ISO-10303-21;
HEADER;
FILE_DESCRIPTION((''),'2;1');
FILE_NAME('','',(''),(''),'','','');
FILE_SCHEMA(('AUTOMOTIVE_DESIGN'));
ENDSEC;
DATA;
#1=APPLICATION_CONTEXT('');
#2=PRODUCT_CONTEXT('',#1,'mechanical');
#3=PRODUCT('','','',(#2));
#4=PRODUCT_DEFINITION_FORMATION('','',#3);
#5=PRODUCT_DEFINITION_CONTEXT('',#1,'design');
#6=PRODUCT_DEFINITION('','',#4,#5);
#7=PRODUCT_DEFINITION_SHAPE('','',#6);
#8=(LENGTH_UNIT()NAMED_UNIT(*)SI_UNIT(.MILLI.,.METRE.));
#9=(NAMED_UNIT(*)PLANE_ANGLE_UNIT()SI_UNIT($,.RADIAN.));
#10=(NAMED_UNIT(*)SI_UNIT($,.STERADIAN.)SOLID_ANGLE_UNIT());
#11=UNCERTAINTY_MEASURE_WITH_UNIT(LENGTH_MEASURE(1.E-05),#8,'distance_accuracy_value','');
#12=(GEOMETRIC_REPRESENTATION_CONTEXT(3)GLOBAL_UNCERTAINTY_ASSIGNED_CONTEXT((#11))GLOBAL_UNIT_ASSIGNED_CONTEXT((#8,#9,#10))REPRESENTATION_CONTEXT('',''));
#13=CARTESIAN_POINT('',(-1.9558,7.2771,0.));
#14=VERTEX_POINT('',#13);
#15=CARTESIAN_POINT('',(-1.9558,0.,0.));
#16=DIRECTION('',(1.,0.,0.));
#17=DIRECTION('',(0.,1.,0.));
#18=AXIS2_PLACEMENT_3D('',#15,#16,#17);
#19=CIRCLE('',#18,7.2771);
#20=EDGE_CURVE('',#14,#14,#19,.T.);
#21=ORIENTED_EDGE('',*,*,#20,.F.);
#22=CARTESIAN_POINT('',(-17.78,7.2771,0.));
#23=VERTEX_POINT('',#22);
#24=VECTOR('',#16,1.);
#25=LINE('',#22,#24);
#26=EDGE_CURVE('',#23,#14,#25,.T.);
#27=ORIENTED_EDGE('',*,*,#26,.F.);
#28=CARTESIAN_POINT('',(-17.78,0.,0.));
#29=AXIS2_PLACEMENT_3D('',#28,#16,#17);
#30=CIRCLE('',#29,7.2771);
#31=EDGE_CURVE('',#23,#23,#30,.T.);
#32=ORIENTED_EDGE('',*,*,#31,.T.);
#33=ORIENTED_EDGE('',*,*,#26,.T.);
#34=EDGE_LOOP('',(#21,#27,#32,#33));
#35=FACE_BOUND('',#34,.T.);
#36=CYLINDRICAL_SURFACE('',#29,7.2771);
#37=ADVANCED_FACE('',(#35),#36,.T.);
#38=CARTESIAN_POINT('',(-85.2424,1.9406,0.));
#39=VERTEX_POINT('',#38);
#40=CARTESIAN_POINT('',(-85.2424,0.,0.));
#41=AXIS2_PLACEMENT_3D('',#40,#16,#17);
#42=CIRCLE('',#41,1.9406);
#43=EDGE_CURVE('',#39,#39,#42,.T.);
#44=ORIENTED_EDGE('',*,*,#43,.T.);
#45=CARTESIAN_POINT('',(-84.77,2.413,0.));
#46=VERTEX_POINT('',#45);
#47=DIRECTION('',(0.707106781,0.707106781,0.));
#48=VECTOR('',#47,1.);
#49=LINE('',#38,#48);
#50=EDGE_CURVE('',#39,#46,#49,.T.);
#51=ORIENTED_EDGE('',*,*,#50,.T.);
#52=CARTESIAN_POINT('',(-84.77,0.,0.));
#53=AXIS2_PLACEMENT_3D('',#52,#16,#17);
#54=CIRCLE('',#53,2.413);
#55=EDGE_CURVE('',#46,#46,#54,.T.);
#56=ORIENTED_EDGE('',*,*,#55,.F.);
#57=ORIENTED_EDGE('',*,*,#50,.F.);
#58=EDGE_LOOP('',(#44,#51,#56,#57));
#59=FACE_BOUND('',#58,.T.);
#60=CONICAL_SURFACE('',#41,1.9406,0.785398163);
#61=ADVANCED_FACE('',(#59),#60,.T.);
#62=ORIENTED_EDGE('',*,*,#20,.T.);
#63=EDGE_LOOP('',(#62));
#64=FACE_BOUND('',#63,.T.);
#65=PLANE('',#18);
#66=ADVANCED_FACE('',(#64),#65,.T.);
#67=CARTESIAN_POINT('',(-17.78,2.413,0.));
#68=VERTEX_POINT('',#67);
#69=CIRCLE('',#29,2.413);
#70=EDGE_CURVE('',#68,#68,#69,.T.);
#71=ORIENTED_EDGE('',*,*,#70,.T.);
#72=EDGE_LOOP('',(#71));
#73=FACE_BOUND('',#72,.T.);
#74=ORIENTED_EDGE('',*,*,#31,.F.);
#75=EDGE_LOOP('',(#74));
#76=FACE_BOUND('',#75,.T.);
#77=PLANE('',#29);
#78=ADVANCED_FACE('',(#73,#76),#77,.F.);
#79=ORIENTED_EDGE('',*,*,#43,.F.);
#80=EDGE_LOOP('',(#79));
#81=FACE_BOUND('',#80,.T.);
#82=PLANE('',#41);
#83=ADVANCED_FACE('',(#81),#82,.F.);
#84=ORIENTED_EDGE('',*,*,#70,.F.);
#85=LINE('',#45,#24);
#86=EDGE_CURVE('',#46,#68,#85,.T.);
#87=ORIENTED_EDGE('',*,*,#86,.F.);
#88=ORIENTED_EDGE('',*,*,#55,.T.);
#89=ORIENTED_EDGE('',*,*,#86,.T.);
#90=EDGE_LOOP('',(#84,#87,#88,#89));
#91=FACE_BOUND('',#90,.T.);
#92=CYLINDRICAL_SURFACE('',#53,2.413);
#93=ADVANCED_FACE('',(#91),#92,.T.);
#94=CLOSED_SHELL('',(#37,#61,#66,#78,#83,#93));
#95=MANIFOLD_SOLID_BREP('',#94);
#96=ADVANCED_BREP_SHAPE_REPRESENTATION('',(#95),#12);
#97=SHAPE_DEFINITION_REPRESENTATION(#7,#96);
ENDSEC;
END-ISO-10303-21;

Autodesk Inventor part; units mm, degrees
sketch "Sketch_5" plane through (0, 0, 0) normal (0, 0, 1) x (1, 0, 0)
  line L0 (-9.525, 0) -> (-85.2424, 0)
  line L1 (-85.2424, 0) -> (-85.2424, 1.9406)
  line L2 (-85.2424, 1.9406) -> (-84.77, 2.413)
  line L3 (-84.77, 2.413) -> (-9.525, 2.413)
  line L4 (-9.525, 2.413) -> (-9.525, 0)
  line L5 (-9.525, 0) -> (-85.2424, 0)
revolve "Revolution1" add sketch "Sketch_5" angle 360 about axis through (-9.525, 0, 0) along (1, 0, 0)
sketch "Sketch_14" plane through (0, 0, 0) normal (0, 0, 1) x (1, 0, 0)
  line L0 (-1.9558, 0) -> (-17.78, 0)
  line L1 (-17.78, 0) -> (-17.78, 7.2771)
  line L2 (-17.78, 7.2771) -> (-1.9558, 7.2771)
  line L3 (-1.9558, 7.2771) -> (-1.9558, 0)
  line L4 (-1.9558, 0) -> (-17.78, 0)
revolve "Revolution2" add sketch "Sketch_14" angle 360 about axis through (-1.9558, 0, 0) along (1, 0, 0)
ref_plane "h1_XY" through (-85.2424, 0, 0) normal (0, 1, 0) x (1, 0, 0)
ref_plane "h1_YZ" through (-85.2424, 0, 0) normal (1, 0, 0) x (0, 0, -1)
ref_plane "h1_ZX" through (-85.2424, 0, 0) normal (0, 0, -1) x (0, 1, 0)
ref_plane "h2_XY" through (-85.2424, 0, 0) normal (0, 1, 0) x (1, 0, 0)
ref_plane "h2_YZ" through (-85.2424, 0, 0) normal (1, 0, 0) x (0, 0, -1)
ref_plane "h2_ZX" through (-85.2424, 0, 0) normal (0, 0, -1) x (0, 1, 0)
ref_plane "k1_XY" through (-85.2424, 0, -2.413) normal (0, 1, 0) x (1, 0, 0)
ref_plane "k1_YZ" through (-85.2424, 0, -2.413) normal (1, 0, 0) x (0, 0, -1)
ref_plane "k1_ZX" through (-85.2424, 0, -2.413) normal (0, 0, -1) x (0, 1, 0)
ref_plane "k2_XY" through (-85.2424, 0, 2.413) normal (0, 1, 0) x (1, 0, 0)
ref_plane "k2_YZ" through (-85.2424, 0, 2.413) normal (1, 0, 0) x (0, 0, -1)
ref_plane "k2_ZX" through (-85.2424, 0, 2.413) normal (0, 0, -1) x (0, 1, 0)
ref_plane "start_XY" through (-72.5424, 0, 0) normal (0, 1, 0) x (1, 0, 0)
ref_plane "start_YZ" through (-72.5424, 0, 0) normal (1, 0, 0) x (0, 0, -1)
ref_plane "start_ZX" through (-72.5424, 0, 0) normal (0, 0, -1) x (0, 1, 0)
ref_plane "to_prc_XY" through (-85.2424, 0, 0) normal (1, 0, 0) x (0, 0, -1)
ref_plane "to_prc_YZ" through (-85.2424, 0, 0) normal (0, 0, -1) x (0, 1, 0)
ref_plane "to_prc_ZX" through (-85.2424, 0, 0) normal (0, 1, 0) x (1, 0, 0)
ref_plane "to_rod_guide_XY" through (-85.2424, 0, 0) normal (1, 0, 0) x (0, 0, -1)
ref_plane "to_rod_guide_YZ" through (-85.2424, 0, 0) normal (0, 0, -1) x (0, 1, 0)
ref_plane "to_rod_guide_ZX" through (-85.2424, 0, 0) normal (0, 1, 0) x (1, 0, 0)
properties part number "D-95381.5-0.25-3.356-3pos"
